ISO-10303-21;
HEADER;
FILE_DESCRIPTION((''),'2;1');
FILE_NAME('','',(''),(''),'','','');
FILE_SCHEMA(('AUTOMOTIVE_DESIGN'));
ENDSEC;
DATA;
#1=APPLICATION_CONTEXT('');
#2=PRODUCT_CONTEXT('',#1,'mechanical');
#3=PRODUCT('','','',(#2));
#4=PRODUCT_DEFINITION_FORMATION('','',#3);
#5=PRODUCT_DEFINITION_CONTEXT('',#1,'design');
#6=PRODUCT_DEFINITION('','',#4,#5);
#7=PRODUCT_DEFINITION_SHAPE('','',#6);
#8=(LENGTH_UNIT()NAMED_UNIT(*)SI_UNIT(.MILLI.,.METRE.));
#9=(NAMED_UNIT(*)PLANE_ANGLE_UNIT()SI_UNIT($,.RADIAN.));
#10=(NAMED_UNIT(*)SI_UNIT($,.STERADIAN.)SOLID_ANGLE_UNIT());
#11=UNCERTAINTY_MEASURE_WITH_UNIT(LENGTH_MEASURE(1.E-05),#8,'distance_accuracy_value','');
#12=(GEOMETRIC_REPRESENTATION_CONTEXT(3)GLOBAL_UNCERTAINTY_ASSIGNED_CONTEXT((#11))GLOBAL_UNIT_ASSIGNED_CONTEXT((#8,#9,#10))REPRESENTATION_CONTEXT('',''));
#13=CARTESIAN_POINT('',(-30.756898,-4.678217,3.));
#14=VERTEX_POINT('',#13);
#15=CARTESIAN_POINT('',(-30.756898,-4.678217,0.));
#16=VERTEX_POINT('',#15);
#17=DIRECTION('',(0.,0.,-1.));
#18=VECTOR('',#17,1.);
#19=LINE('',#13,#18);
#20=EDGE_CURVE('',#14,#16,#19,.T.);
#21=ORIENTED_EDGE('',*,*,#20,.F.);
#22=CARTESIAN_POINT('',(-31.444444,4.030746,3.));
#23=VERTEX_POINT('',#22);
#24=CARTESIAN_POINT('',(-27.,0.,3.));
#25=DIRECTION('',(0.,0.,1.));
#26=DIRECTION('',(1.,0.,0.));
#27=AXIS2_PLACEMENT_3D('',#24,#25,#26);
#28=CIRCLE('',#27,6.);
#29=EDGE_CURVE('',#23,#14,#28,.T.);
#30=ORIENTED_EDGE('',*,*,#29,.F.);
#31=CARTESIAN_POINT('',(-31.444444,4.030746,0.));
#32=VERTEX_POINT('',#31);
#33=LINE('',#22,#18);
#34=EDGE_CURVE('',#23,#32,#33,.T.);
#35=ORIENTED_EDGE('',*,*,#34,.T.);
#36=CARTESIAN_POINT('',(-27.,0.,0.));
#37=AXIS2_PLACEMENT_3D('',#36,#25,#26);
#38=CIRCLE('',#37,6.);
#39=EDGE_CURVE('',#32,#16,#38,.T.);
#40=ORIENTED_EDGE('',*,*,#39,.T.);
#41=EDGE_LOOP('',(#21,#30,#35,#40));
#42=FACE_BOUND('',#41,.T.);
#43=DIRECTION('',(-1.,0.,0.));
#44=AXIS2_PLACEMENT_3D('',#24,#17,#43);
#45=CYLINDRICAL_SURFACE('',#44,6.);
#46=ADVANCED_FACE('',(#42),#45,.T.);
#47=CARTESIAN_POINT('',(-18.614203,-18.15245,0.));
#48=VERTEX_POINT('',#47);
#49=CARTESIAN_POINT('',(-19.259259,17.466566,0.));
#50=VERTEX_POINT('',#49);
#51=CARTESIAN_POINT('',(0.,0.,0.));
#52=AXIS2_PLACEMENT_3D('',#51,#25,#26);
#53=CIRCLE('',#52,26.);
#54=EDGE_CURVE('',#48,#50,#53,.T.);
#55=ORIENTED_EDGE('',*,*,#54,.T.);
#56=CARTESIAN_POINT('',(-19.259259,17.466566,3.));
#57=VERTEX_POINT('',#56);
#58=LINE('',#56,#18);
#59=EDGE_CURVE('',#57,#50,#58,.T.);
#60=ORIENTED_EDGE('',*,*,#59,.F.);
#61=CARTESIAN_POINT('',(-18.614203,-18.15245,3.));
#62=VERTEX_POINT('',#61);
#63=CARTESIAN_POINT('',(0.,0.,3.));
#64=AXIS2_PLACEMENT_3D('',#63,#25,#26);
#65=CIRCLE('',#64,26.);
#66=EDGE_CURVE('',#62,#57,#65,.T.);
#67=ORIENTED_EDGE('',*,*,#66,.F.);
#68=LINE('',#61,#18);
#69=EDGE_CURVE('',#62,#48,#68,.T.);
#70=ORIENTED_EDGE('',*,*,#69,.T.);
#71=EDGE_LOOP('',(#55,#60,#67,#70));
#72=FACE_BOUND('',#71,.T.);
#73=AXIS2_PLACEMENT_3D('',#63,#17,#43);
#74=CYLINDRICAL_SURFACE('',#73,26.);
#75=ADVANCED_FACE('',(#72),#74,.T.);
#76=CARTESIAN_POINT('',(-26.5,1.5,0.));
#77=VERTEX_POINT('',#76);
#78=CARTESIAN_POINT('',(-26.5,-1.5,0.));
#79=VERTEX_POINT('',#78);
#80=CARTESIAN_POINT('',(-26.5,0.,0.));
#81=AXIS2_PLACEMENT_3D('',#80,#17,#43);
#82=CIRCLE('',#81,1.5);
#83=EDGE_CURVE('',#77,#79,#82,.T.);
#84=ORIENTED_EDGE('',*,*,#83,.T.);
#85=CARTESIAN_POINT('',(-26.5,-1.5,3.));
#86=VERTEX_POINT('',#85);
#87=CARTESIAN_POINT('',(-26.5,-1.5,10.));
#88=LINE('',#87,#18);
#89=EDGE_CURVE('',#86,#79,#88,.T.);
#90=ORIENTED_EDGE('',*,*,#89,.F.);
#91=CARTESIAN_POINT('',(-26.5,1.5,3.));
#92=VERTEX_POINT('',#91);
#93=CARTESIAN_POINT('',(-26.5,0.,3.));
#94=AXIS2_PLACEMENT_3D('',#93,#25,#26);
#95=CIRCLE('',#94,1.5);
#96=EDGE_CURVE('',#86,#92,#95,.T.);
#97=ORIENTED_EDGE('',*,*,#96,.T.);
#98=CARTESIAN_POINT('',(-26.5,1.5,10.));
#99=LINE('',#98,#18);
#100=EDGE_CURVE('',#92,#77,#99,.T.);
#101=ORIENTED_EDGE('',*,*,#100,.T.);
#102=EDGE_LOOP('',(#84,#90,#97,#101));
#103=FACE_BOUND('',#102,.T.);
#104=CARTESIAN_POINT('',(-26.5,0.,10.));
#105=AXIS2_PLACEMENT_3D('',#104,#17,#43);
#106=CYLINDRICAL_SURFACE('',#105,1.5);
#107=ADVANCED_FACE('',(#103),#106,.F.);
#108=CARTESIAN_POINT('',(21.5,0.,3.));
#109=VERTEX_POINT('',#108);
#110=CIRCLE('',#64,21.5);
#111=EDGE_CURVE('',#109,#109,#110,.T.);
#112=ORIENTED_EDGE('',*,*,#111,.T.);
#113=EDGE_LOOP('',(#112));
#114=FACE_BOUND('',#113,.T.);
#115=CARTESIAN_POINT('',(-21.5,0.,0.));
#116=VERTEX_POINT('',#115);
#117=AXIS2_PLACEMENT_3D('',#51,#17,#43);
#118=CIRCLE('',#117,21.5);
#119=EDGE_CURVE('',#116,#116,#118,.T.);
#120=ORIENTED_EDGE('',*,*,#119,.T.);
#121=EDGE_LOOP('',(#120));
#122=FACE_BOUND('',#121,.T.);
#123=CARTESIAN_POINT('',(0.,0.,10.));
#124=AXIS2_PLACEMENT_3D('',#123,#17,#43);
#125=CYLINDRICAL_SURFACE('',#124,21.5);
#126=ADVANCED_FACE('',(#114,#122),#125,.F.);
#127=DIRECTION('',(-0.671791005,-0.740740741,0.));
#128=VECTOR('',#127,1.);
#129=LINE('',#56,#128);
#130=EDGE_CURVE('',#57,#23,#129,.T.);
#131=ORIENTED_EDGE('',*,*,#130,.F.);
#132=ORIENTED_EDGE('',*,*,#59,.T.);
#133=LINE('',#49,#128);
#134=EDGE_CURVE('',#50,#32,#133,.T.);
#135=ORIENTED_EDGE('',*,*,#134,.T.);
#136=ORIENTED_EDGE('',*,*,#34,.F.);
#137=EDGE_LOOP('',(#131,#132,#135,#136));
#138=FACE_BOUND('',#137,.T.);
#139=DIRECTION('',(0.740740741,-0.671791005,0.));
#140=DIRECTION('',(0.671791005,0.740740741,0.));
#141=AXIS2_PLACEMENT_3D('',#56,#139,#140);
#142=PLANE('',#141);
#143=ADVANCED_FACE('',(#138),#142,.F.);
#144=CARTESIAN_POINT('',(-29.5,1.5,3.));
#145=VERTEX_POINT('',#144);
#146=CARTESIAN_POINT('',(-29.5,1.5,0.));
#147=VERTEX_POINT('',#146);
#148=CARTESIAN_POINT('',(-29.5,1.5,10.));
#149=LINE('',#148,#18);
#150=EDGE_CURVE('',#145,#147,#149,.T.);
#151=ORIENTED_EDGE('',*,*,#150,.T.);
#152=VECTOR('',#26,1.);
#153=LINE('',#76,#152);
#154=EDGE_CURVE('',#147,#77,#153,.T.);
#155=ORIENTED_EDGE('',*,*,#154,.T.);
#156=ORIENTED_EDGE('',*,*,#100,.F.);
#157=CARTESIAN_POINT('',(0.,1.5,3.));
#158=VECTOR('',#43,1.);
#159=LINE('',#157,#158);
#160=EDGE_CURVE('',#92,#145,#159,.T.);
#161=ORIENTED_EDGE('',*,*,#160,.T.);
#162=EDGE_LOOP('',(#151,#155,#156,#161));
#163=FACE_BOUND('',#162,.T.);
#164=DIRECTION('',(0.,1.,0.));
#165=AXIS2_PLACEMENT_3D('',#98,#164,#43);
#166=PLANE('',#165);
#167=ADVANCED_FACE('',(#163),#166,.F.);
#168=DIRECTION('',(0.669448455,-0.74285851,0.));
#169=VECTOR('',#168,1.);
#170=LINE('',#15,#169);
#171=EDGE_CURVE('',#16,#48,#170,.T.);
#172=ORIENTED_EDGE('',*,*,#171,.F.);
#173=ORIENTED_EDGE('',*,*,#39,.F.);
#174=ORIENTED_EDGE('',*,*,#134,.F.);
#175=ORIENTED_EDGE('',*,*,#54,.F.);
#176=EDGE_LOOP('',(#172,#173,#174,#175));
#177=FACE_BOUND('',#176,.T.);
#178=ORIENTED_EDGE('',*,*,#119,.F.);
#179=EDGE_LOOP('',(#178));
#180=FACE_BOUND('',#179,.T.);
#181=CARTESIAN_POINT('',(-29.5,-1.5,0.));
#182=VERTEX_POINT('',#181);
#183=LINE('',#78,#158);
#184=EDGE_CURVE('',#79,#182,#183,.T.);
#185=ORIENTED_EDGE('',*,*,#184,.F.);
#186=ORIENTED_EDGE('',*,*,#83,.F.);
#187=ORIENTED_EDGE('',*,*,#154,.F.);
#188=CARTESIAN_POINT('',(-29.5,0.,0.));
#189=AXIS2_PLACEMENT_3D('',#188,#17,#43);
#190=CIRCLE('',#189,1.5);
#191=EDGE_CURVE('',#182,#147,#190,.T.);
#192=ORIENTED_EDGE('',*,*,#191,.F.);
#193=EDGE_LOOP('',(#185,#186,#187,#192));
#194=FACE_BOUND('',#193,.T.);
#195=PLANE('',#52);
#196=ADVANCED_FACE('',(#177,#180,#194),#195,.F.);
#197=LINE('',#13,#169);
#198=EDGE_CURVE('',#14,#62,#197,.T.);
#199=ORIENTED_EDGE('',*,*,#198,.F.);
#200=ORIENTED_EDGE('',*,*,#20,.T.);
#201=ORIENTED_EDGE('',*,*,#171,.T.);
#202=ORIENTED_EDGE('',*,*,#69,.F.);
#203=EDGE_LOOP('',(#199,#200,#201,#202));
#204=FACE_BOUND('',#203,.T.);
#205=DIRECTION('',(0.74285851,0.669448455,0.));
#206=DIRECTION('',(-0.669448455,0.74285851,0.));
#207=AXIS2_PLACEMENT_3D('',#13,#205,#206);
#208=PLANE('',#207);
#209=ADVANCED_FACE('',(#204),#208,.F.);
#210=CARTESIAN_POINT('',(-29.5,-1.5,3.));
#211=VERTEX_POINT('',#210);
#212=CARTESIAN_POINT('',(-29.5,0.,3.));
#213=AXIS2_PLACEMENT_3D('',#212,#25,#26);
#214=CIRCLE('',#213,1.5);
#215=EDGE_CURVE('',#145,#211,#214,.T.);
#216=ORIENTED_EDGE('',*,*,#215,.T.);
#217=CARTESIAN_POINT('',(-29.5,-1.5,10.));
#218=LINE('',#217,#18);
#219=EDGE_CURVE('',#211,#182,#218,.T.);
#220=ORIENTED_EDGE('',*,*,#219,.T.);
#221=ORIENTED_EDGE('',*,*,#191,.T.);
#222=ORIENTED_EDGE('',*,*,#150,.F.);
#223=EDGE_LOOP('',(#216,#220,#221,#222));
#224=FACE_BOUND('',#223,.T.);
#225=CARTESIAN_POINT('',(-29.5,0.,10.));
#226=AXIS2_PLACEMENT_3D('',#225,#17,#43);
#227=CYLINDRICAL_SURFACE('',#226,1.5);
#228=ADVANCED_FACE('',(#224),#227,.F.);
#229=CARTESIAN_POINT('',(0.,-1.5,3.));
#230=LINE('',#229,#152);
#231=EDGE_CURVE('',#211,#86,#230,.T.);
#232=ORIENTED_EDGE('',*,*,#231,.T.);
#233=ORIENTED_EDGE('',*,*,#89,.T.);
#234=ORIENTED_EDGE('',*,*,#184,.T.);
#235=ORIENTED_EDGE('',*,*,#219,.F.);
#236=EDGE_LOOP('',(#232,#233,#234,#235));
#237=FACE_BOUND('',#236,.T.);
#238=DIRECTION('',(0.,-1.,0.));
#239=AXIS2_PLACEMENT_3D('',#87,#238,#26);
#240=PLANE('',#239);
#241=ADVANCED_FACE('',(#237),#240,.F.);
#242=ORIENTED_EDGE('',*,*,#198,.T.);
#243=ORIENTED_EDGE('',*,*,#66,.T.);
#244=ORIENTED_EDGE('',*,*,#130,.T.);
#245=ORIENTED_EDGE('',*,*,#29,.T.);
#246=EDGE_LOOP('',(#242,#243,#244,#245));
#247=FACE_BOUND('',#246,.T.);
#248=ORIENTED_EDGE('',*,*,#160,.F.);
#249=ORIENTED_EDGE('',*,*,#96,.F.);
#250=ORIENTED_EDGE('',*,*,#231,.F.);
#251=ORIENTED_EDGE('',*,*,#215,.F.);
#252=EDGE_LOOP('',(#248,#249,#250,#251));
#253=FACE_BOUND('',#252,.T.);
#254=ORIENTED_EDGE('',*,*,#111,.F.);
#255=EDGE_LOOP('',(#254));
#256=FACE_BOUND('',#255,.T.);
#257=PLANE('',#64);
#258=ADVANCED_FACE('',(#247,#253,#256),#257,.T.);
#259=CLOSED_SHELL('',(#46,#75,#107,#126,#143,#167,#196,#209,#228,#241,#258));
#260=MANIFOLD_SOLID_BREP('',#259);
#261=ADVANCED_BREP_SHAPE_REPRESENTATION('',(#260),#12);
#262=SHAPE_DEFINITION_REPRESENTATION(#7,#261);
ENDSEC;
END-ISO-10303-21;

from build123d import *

# Parameters (mm, degrees)
EXTRUDE_1_DEPTH     = 3
SKETCH_2_R          = 21.5
CUT_EXTRUDE_1_DEPTH = 10


with BuildPart() as part:
    # 스케치1 → 보스-돌출1 (new body)
    with BuildSketch(Plane.XY):
        with BuildLine():
            Line((-19.259259259, 17.466566142), (-31.444444444, 4.030746033))
            ThreePointArc((-31.444444444, 4.030746033), (-32.981389073, -0.472212618), (-30.756898072, -4.678217276))
            Line((-30.756898072, -4.678217276), (-18.61420291, -18.152450249))
            ThreePointArc((-18.61420291, -18.152450249), (25.995737465, 0.470779859), (-19.259259259, 17.466566142))
        make_face()
    extrude(amount=EXTRUDE_1_DEPTH)

    # 스케치2 → 컷-돌출1 (cut)
    with BuildSketch(Plane(origin=(0, 0, 0), x_dir=(-1, 0, 0), z_dir=(0, 0, -1))):
        Circle(SKETCH_2_R)
        with BuildLine():
            Line((26.5, 1.5), (29.5, 1.5))
            ThreePointArc((29.5, 1.5), (31, 0), (29.5, -1.5))
            Line((29.5, -1.5), (26.5, -1.5))
            ThreePointArc((26.5, -1.5), (25, 0), (26.5, 1.5))
        make_face()
    extrude(amount=-CUT_EXTRUDE_1_DEPTH, mode=Mode.SUBTRACT)


solid = part.part
